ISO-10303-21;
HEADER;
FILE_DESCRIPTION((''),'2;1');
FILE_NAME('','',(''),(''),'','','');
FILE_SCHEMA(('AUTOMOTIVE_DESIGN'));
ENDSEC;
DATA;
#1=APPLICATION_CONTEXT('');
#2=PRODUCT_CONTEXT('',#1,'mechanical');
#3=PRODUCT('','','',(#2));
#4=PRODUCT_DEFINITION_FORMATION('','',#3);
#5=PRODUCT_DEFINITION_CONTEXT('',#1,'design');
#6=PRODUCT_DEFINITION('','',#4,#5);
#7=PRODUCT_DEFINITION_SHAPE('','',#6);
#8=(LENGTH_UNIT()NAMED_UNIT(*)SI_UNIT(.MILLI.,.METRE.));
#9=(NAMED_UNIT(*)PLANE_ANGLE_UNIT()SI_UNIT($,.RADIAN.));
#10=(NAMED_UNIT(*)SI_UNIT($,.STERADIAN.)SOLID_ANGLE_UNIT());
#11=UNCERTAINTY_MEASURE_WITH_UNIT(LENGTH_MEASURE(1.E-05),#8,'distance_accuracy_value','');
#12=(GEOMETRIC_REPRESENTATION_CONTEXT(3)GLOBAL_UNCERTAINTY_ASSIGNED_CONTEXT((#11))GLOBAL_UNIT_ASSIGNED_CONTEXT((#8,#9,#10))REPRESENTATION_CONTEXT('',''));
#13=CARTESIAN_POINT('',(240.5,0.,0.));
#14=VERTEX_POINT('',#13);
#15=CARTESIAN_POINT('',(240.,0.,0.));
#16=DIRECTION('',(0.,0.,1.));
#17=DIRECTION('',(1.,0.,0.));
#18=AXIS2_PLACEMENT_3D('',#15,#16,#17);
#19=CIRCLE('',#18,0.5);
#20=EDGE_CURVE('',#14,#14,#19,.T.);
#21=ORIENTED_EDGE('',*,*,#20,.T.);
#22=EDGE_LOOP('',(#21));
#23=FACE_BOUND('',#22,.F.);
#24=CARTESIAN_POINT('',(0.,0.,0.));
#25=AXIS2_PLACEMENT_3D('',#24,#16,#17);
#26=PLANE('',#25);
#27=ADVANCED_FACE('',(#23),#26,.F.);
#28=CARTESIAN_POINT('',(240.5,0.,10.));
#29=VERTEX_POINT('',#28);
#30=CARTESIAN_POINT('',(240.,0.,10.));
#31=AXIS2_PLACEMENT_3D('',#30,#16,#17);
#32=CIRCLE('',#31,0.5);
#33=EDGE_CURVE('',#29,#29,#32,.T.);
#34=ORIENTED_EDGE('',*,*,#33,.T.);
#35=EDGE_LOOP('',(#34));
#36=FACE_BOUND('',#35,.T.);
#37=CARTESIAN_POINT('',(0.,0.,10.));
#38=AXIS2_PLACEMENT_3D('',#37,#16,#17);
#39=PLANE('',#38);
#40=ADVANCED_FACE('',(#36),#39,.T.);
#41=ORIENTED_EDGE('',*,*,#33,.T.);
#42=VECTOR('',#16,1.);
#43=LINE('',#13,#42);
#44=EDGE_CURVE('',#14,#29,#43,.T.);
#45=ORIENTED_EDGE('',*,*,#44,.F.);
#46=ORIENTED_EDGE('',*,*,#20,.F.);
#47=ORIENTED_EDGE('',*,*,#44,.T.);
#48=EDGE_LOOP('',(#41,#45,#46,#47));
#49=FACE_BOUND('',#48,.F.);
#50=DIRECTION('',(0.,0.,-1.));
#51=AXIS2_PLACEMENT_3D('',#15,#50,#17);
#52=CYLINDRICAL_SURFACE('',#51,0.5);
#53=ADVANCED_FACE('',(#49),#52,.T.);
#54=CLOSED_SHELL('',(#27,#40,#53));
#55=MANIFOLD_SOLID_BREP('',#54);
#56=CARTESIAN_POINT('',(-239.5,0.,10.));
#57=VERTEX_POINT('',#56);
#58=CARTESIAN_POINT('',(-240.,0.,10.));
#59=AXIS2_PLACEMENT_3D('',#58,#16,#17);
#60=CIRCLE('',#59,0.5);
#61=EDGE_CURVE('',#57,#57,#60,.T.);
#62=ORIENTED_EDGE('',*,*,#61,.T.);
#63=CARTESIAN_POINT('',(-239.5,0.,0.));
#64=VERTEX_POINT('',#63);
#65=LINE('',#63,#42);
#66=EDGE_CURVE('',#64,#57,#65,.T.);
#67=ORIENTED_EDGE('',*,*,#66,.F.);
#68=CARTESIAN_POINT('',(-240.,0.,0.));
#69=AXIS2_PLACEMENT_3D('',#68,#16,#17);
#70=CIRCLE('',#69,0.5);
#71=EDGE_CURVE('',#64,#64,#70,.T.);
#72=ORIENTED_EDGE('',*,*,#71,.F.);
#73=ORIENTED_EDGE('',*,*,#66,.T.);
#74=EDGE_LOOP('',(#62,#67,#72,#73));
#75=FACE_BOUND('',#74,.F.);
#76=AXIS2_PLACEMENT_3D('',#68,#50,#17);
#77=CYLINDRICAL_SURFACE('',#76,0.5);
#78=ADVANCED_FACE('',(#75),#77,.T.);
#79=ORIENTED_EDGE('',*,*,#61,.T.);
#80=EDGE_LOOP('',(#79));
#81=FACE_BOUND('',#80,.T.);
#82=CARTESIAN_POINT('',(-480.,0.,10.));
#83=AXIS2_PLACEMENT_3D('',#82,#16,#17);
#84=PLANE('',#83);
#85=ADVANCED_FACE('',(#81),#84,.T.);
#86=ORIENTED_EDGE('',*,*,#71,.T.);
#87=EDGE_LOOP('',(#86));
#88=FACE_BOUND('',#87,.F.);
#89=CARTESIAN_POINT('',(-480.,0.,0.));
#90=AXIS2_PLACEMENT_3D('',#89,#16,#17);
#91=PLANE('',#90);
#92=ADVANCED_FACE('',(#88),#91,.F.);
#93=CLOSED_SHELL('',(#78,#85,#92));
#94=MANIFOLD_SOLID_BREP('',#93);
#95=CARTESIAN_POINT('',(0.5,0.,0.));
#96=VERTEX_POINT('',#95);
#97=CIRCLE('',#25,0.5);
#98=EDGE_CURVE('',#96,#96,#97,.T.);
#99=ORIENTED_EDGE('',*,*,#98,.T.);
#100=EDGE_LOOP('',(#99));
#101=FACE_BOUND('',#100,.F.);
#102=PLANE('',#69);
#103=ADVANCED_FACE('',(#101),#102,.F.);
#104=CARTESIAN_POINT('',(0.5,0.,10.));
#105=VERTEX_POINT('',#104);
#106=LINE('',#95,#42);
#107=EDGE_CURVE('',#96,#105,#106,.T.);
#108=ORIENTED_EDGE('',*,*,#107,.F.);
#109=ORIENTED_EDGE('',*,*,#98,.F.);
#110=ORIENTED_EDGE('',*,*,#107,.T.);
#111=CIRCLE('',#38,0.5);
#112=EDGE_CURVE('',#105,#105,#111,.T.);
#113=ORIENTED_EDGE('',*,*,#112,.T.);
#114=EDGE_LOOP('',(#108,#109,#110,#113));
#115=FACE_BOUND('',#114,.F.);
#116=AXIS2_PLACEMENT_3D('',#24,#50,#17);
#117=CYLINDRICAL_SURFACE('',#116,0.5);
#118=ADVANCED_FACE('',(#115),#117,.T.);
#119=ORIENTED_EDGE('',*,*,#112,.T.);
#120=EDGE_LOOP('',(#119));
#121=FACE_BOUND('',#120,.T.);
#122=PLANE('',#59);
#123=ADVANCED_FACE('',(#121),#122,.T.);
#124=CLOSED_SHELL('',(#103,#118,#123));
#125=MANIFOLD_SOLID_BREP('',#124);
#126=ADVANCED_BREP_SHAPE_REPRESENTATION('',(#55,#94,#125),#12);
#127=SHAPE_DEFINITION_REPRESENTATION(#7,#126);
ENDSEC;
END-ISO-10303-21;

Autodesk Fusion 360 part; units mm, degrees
sketch "Contact Area" plane through (0, 0, 0) normal (0, 0, 1) x (1, 0, 0)
  line L0 (300, -9) -> (-300, -9)
  line L1 (-300, -9) -> (-300, 9)
  line L2 (-300, 9) -> (300, 9)
  line L3 (300, 9) -> (300, -9)
  line L4 (300, -9) -> (-300, 9) construction
  line L5 (-300, -9) -> (300, 9) construction
  dimension "d3" = 600
  dimension "d4" = 18
sketch "Pins" plane through (0, 0, 0) normal (0, 0, 1) x (1, 0, 0)
  circle A0 centre (240, 0) radius 0.5
  line L0 (300, 9) -> (300, -9)
  line L1 (-300, 9) -> (300, 9)
  circle A1 centre (-240, 0) radius 0.5
  line L2 (-300, -9) -> (-300, 9)
  dimension "d8" = 1
  dimension "d9" = 60
  dimension "d10" = 9
  dimension "d11" = 1
  dimension "d12" = 60
  dimension "d13" = 9
extrude "Extrude1" add sketch "Pins" along normal blind 10 contours A0 makes body 1
pattern_linear "R-Pattern1" count 3 spacing 240 along (-1, 0, 0) of bodies 1 makes body 2 at (0.4994, -0.0249, 6.6667) makes body 3 at (-240.383, 0.3214, 6.6667)
equation "ContactAreaLength = 600 mm" comment "Length of the a contact area, calculated automatically"
equation "ContactAreaWidth = 18 mm" comment "Width of a contact area. Calculated automatically"
equation "d3 = ContactAreaLength"
equation "d4 = ContactAreaWidth"
equation "UserOffset1 = 60 mm" comment "Offset from the edge"
equation "UserOffset2 = 60 mm" comment "Offset from the edge"
equation "CoordY = ContactAreaWidth / 2"
equation "d9 = UserOffset1"
equation "d10 = CoordY"
equation "d12 = Offset2"
equation "d13 = CoordY"
equation "MaxDistance = 300 mm" comment "Max distance between components"
equation "MinDistance = 32 mm" comment "Min distance between components"
equation "Offset1 = if(PlacingLength >= MinDistance; UserOffset1; ContactAreaLength / 2)"
equation "Offset2 = if(PlacingLength >= MinDistance; UserOffset2; Offset1)"
equation "PlacingLength = ContactAreaLength - UserOffset1 - UserOffset2" comment "Space between components"
equation "NumberOfIntervals = ceil(PlacingLength / MaxDistance)" comment "Number of intervals between components"
equation "NumberOfComponents = if(PlacingLength >= MinDistance; NumberOfIntervals + 1; 1)" comment "Number of components, calculated automatically"
equation "SpaceBetween = if(PlacingLength >= MinDistance; PlacingLength / NumberOfIntervals; 0 mm)" comment "Space between components"
equation "d27 = NumberOfComponents"
equation "d29 = SpaceBetween"
